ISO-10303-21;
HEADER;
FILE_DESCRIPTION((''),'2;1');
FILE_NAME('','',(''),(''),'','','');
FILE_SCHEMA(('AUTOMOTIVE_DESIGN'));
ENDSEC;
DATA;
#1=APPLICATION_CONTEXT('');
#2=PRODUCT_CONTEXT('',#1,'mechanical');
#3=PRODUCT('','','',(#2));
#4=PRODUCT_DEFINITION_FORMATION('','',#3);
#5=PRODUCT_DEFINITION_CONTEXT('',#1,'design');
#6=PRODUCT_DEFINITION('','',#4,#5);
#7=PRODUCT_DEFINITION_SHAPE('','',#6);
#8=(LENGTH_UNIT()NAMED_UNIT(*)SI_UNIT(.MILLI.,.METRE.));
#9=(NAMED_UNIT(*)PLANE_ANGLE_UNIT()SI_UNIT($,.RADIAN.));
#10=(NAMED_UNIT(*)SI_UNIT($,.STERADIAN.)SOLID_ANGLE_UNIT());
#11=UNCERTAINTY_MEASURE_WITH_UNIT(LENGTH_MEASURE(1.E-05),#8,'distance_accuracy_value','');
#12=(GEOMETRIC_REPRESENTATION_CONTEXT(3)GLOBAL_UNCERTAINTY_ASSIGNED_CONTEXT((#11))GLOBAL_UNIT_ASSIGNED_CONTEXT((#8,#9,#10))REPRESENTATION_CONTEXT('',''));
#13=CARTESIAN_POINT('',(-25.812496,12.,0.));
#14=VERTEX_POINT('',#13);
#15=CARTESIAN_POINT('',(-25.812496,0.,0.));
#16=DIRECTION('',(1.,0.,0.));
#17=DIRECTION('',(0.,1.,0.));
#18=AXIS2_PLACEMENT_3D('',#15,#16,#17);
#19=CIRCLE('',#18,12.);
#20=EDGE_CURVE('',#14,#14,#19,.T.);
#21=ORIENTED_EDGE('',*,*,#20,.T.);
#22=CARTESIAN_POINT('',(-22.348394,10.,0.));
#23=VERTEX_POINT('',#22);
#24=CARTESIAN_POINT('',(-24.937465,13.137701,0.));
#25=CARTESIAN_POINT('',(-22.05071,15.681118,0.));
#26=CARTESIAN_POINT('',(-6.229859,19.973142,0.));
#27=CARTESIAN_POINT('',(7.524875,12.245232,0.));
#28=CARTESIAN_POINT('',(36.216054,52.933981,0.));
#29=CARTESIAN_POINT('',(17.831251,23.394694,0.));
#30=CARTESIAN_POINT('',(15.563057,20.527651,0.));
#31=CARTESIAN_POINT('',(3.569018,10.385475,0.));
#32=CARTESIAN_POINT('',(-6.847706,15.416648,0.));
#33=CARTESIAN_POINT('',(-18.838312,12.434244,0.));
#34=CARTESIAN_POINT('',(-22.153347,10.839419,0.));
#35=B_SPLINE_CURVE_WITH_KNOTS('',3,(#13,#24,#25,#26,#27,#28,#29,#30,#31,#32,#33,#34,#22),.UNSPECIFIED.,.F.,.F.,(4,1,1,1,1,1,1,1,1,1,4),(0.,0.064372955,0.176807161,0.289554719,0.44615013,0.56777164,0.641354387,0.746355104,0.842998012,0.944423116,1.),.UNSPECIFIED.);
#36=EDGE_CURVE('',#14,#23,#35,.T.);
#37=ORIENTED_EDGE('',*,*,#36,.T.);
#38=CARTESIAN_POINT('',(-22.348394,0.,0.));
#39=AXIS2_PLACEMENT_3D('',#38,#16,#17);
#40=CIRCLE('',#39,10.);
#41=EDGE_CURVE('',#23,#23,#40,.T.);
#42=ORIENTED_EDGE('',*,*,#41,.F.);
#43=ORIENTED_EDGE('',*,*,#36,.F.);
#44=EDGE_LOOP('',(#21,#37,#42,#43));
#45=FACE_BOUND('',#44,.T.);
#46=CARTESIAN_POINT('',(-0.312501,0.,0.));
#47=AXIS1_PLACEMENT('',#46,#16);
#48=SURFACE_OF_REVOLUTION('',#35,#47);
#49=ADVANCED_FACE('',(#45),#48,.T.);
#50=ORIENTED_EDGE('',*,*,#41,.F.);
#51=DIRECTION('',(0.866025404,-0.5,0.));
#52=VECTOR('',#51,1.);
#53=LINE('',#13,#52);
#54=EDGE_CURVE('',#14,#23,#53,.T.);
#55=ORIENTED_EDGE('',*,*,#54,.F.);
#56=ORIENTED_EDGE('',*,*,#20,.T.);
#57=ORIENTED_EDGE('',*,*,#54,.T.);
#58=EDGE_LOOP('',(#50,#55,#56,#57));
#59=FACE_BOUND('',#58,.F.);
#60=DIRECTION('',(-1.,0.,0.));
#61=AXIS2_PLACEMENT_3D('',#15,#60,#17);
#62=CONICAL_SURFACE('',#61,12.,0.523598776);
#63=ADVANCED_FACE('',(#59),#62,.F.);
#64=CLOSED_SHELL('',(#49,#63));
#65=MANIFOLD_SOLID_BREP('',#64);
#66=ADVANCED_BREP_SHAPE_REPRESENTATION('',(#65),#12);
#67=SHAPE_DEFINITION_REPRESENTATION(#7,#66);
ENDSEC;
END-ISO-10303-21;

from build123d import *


with BuildPart() as f1:
    # F0 (on Top) → F1 (revolve)
    with BuildSketch(Plane.XY):
        with BuildLine():
            add(Edge.make_bspline(
                [(-25.8124957243, 12), (-24.9374647228, 13.1377009765), (-22.0507097421, 15.6811177072), (-6.2298594701, 19.9731423152), (7.5248748031, 12.2452315088), (36.2160540583, 52.9339809114), (17.8312512613, 23.394693787), (15.5630567382, 20.5276510009), (3.5690175016, 10.3854747287), (-6.8477058103, 15.4166479855), (-18.8383118663, 12.4342443567), (-22.1533474808, 10.8394193887), (-22.3483941091, 10)],
                knots=[0, 0, 0, 0, 0.0643729549, 0.1768071613, 0.289554719, 0.4461501304, 0.5677716401, 0.6413543872, 0.746355104, 0.8429980123, 0.9444231164, 1, 1, 1, 1], degree=3))
            Line((-25.8124957243, 12), (-22.3483941091, 10))
        make_face()
    revolve(axis=Axis((-0.312501168, 0, 0), (1, 0, 0)))


solid = f1.part
